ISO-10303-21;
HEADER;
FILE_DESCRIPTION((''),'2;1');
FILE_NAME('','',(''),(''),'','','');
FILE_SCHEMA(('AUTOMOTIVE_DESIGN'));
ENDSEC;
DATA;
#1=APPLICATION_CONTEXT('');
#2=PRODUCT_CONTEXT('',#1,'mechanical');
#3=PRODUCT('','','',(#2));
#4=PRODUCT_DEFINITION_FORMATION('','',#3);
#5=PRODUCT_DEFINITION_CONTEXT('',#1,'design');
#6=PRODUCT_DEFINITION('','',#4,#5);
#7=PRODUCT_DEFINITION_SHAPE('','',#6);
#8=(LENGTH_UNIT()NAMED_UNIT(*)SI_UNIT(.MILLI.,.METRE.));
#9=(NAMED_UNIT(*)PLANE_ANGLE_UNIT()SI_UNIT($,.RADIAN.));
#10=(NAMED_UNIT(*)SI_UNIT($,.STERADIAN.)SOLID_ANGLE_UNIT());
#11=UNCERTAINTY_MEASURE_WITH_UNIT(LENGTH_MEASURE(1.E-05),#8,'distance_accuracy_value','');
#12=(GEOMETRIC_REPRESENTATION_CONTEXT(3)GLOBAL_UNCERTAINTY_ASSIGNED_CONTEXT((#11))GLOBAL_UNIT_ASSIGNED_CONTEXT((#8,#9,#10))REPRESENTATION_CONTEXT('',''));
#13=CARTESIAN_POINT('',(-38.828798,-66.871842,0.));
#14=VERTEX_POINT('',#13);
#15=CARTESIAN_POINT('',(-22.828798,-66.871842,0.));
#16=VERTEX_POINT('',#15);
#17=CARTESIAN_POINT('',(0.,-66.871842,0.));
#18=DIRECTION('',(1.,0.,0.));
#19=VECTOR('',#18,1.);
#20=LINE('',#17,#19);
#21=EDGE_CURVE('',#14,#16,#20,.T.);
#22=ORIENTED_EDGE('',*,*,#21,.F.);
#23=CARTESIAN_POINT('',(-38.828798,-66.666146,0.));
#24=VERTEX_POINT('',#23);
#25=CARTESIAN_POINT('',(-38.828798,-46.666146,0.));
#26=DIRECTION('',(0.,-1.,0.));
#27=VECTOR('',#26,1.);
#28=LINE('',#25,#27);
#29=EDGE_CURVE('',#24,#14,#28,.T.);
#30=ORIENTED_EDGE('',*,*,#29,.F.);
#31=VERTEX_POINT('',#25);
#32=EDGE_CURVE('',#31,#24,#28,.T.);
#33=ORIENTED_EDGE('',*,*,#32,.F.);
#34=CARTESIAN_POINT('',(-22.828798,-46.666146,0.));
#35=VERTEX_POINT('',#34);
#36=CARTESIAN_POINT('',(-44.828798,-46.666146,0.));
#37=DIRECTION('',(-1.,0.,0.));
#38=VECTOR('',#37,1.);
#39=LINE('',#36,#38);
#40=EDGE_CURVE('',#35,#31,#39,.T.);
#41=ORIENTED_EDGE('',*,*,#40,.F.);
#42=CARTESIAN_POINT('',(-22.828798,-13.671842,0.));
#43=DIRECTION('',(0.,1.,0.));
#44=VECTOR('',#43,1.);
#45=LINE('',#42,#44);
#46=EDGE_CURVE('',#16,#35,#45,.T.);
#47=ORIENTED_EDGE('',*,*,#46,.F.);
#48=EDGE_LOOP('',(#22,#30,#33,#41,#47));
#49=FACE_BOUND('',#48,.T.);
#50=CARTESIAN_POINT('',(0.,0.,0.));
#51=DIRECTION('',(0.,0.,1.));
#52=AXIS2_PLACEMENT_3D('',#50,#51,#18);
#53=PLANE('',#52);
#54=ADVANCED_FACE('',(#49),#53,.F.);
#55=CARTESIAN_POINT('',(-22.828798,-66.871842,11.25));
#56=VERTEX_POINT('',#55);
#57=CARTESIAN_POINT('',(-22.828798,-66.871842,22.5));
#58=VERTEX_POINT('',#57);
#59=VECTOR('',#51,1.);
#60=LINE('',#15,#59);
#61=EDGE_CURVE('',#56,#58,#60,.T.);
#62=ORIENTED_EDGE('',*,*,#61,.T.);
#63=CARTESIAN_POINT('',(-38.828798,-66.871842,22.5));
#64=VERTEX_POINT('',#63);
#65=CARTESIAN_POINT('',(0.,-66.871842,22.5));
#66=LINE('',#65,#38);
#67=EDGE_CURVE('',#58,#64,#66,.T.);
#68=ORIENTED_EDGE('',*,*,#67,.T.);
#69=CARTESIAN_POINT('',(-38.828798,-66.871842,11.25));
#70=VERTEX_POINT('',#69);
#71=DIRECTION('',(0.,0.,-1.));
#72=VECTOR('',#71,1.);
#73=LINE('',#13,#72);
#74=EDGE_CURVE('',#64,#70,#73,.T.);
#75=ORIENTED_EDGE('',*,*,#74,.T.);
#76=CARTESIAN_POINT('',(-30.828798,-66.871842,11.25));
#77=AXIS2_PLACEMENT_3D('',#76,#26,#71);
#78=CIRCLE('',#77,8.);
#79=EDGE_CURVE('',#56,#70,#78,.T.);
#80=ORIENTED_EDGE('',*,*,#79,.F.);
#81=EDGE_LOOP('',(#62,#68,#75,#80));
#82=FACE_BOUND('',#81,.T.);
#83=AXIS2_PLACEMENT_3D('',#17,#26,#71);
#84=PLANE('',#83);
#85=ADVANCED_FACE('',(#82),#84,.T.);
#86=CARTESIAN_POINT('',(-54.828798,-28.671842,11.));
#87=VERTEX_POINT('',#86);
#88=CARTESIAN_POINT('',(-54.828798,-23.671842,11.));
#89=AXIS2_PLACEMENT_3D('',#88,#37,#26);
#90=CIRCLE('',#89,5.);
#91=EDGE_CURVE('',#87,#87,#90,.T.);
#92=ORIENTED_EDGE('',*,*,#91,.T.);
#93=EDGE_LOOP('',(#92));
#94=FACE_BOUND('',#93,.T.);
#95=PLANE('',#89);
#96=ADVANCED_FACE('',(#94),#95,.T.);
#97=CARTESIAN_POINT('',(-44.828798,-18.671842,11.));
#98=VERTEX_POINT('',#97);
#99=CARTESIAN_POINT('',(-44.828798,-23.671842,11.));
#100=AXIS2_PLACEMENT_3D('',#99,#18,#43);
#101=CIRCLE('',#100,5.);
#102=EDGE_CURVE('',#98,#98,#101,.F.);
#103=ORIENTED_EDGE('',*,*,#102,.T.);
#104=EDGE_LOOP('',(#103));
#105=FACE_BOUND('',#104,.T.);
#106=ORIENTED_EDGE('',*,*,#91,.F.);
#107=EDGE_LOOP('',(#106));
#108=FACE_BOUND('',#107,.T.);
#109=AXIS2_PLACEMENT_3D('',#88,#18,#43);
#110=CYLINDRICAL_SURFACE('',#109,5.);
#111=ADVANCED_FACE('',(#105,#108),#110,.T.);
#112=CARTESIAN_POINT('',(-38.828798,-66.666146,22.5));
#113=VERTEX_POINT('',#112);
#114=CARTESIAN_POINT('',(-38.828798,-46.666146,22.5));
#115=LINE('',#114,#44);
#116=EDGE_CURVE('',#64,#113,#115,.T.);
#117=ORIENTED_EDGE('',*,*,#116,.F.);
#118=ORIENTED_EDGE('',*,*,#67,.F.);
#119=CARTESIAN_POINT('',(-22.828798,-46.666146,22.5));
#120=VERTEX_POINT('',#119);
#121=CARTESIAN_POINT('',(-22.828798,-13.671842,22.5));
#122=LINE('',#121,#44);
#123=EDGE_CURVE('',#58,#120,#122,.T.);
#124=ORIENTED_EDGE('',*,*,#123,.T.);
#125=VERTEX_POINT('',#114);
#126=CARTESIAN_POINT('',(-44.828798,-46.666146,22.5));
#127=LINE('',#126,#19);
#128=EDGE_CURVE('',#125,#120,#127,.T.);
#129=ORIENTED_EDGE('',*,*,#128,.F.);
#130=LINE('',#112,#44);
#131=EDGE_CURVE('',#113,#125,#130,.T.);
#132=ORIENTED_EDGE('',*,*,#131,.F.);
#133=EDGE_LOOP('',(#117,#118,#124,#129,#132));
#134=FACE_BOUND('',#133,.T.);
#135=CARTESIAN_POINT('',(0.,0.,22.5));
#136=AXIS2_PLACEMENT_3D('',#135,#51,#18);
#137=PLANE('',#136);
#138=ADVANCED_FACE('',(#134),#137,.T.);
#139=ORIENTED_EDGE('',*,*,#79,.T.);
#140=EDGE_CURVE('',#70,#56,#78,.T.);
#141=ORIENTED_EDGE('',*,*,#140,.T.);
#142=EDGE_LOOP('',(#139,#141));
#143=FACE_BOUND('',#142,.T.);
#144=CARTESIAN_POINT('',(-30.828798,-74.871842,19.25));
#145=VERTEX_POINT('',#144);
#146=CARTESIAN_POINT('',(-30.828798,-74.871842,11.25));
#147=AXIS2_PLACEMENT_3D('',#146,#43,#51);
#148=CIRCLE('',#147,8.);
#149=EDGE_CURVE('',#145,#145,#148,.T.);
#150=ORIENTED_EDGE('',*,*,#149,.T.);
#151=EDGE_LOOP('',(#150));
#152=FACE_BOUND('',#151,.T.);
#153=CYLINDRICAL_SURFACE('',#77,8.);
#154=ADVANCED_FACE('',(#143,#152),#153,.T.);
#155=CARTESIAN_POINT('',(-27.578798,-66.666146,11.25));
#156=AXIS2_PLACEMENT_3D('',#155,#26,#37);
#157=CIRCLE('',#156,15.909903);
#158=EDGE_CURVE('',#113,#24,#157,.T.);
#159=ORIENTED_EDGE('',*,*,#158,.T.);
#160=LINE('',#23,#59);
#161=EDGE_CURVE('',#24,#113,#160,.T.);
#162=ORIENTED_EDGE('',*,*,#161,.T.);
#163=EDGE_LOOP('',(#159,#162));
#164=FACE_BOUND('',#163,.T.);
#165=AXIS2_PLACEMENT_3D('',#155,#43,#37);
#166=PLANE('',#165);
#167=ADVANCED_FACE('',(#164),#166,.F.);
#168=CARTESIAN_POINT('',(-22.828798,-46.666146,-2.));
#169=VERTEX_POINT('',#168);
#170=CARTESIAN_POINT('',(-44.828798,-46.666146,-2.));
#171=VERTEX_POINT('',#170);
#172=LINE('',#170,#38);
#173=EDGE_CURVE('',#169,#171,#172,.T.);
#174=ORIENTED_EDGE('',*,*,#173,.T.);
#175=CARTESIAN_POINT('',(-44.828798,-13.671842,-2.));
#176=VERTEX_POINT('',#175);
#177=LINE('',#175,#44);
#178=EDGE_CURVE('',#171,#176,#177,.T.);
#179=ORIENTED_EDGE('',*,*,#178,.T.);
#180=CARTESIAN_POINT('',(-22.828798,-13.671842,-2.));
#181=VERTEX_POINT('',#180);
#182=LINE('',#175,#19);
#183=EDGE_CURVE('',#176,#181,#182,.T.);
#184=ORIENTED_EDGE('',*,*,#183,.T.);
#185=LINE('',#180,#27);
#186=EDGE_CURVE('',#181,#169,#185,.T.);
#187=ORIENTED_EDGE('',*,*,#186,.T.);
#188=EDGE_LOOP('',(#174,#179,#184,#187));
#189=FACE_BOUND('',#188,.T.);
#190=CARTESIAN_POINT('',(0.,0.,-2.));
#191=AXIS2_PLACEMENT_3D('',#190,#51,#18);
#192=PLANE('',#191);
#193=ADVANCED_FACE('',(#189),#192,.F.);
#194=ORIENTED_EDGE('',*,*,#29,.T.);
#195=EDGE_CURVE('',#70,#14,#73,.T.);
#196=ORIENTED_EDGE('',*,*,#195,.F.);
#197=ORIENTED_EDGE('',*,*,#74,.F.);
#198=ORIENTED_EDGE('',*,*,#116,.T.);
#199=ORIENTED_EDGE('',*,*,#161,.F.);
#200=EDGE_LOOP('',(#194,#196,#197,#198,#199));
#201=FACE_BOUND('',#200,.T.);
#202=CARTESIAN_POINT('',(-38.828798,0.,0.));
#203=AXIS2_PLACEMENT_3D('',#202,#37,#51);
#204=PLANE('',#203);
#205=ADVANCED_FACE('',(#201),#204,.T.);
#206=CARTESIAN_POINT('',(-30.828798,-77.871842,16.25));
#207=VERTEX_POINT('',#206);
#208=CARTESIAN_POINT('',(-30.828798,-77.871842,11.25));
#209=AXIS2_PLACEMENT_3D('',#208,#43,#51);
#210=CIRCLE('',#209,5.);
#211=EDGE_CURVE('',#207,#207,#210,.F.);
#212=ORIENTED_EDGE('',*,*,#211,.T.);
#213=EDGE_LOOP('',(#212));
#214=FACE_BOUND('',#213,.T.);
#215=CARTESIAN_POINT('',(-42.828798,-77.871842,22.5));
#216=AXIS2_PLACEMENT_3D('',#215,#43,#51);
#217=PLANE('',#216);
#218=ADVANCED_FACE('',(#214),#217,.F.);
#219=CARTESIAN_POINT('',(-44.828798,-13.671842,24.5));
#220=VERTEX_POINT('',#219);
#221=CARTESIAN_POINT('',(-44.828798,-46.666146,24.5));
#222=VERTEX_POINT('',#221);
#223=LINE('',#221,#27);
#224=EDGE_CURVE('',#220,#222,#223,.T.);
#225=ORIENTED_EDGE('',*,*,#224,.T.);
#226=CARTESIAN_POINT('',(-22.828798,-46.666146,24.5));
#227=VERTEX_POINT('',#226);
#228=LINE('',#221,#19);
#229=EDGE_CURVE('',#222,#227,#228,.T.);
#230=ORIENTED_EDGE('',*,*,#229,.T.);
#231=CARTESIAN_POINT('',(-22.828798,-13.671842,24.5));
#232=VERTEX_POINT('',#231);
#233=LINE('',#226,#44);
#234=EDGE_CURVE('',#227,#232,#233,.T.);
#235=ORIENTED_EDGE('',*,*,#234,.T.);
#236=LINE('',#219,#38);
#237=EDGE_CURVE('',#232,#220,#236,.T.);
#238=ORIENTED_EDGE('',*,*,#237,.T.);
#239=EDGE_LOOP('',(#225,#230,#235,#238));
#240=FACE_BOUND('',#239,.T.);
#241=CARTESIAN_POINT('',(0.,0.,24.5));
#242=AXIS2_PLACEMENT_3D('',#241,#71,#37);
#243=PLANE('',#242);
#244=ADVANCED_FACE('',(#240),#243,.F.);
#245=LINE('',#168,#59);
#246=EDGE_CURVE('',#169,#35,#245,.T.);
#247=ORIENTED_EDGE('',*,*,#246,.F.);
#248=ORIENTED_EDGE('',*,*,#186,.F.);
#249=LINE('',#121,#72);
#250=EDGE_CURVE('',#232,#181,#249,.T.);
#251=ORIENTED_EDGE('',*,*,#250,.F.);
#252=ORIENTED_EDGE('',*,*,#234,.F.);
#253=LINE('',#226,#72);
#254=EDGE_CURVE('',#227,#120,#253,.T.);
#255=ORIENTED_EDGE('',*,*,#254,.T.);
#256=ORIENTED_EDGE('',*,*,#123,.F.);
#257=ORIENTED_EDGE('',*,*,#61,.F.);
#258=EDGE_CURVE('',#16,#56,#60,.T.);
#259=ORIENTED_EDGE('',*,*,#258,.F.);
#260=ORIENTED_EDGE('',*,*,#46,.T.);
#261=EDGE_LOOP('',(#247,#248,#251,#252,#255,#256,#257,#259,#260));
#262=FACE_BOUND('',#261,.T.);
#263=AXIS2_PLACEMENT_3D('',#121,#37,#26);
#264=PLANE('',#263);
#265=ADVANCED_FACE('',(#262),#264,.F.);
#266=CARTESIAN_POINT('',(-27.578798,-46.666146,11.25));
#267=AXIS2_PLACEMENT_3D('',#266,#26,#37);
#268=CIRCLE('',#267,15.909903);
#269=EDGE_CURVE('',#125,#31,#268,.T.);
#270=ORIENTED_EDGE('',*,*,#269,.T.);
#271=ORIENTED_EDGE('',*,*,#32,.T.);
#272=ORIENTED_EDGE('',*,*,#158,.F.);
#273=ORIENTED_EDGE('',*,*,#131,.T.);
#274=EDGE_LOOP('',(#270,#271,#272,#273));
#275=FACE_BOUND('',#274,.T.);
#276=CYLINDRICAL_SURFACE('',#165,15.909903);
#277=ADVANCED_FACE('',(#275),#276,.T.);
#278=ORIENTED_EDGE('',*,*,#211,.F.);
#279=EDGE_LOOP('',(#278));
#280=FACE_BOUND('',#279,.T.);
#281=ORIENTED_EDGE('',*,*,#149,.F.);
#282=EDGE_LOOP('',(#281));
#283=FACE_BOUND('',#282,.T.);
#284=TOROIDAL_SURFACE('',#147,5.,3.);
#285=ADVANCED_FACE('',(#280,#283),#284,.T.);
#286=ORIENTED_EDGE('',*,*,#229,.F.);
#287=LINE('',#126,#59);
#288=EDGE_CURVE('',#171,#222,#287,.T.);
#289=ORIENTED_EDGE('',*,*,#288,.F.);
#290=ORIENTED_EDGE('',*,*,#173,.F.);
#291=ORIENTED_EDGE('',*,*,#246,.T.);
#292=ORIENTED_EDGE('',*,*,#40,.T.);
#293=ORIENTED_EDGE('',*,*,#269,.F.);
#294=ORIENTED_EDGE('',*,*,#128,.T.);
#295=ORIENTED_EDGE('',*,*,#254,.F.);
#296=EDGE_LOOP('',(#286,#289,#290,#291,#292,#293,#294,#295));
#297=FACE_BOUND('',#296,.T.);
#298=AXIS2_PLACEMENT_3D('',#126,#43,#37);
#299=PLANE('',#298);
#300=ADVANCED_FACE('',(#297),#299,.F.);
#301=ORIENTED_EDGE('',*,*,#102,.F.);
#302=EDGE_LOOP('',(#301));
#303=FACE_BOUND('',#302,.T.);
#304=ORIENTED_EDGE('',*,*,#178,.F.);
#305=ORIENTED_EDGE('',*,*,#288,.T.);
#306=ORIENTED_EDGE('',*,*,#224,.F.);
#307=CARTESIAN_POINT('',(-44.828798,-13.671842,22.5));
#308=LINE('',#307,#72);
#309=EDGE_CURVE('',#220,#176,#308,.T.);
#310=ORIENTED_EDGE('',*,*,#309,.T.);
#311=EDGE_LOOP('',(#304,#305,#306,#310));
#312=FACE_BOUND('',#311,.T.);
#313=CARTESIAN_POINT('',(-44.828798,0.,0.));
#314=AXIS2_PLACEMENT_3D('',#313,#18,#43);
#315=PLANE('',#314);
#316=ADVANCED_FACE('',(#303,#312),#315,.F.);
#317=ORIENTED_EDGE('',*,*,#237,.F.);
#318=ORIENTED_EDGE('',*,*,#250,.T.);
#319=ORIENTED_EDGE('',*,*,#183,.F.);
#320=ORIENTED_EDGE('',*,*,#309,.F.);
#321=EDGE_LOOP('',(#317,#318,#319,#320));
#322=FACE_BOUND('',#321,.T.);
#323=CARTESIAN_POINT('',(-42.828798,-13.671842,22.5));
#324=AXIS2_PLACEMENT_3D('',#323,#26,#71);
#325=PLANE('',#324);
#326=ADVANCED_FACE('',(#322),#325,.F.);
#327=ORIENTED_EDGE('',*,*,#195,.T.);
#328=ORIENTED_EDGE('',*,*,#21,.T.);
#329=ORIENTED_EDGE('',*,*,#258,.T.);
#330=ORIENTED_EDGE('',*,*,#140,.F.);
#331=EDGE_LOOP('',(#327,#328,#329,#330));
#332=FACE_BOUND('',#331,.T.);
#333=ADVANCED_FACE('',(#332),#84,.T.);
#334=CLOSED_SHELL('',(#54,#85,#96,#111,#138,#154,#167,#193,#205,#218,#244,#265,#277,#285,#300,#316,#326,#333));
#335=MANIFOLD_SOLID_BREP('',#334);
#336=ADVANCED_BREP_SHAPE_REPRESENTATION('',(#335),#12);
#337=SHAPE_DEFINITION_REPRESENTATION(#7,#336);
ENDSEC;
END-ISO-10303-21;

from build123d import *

# Parameters (mm, degrees)
ESBO_O1_W                = 20
ESBO_O1_H                = 64.2
RESSALTO_EXTRUS_O1_DEPTH = 22.5
ESBO_O2_W                = 22.5
ESBO_O2_H                = 32.994304237
RESSALTO_EXTRUS_O2_DEPTH = 2
ESBO_O3_W                = 22
ESBO_O3_H                = 32.994304237
RESSALTO_EXTRUS_O3_DEPTH = 2
ESBO_O4_W                = 22
ESBO_O4_H                = 32.994304237
RESSALTO_EXTRUS_O5_DEPTH = 2
ESBO_O5_W                = 22.5
ESBO_O5_H                = 31.205695763
CORTE_EXTRUS_O1_DEPTH    = 4
RESSALTO_EXTRUS_O6_DEPTH = 20
CORTE_EXTRUS_O2_DEPTH    = 11
FILETE1_R                = 3
ESBO_O10_R               = 5
RESSALTO_EXTRUS_O7_DEPTH = 10


with BuildPart() as part:
    # Esboço1 → Ressalto-extrusão1 (new body)
    with BuildSketch(Plane.XY):
        with Locations((-32.828798315, -45.771841795)):
            Rectangle(ESBO_O1_W, ESBO_O1_H)
    extrude(amount=RESSALTO_EXTRUS_O1_DEPTH)

    # Esboço2 → Ressalto-extrusão2 (add)
    with BuildSketch(Plane.ZY.offset(42.828798315)):
        with Locations((11.25, -30.168993913)):
            Rectangle(ESBO_O2_W, ESBO_O2_H)
    extrude(amount=RESSALTO_EXTRUS_O2_DEPTH)

    # Esboço3 → Ressalto-extrusão3 (add)
    with BuildSketch(Plane(origin=(0, 0, 0), x_dir=(-1, 0, 0), z_dir=(0, 0, -1))):
        with Locations((33.828798315, -30.168993913)):
            Rectangle(ESBO_O3_W, ESBO_O3_H)
    extrude(amount=RESSALTO_EXTRUS_O3_DEPTH)

    # Esboço4 → Ressalto-extrusão5 (add)
    with BuildSketch(Plane.XY.offset(22.5)):
        with Locations((-33.828798315, -30.168993913)):
            Rectangle(ESBO_O4_W, ESBO_O4_H)
    extrude(amount=RESSALTO_EXTRUS_O5_DEPTH)

    # Esboço5 → Corte-extrusão1 (cut)
    with BuildSketch(Plane.ZY.offset(42.828798315)):
        with Locations((11.25, -62.268993914)):
            Rectangle(ESBO_O5_W, ESBO_O5_H)
    extrude(amount=-CORTE_EXTRUS_O1_DEPTH, mode=Mode.SUBTRACT)

    # Esboço8 → Ressalto-extrusão6 (add)
    with BuildSketch(Plane.XZ.offset(46.666146032)):
        with BuildLine():
            Line((-38.828798315, 0), (-38.828798315, 22.5))
            ThreePointArc((-38.828798315, 22.5), (-43.488700892, 11.25), (-38.828798315, 0))
        make_face()
    extrude(amount=RESSALTO_EXTRUS_O6_DEPTH)

    # Esboço9 → Corte-extrusão2 (cut)
    with BuildSketch(Plane(origin=(0, -77.871841795, 0), x_dir=(-1, 0, 0), z_dir=(0, -1, 0))):
        with BuildLine():
            Line((38.828798315, -22.5), (38.828798315, -11.25))
            ThreePointArc((38.828798315, -11.25), (30.828798315, -19.25), (22.828798315, -11.25))
            Line((22.828798315, -11.25), (22.828798315, -22.5))
            Line((22.828798315, -22.5), (38.828798315, -22.5))
        make_face()
        with BuildLine():
            Line((38.828798315, -11.25), (38.828798315, 0))
            Line((38.828798315, 0), (22.828798315, 0))
            Line((22.828798315, 0), (22.828798315, -11.25))
            ThreePointArc((22.828798315, -11.25), (30.828798315, -3.25), (38.828798315, -11.25))
        make_face()
    extrude(amount=-CORTE_EXTRUS_O2_DEPTH, mode=Mode.SUBTRACT)

    # Filete1
    filete1_edges = [part.edges().sort_by_distance(p)[0] for p in [
        (-22.828798315, -77.871841795, 11.25),
    ]]
    fillet(filete1_edges, radius=FILETE1_R)

    # Esboço10 → Ressalto-extrusão7 (add)
    with BuildSketch(Plane.ZY.offset(44.828798315)):
        with Locations(Location((11, -23.671841795, 0), (0, 0, 90))):
            Circle(ESBO_O10_R)
    extrude(amount=RESSALTO_EXTRUS_O7_DEPTH)


solid = part.part
